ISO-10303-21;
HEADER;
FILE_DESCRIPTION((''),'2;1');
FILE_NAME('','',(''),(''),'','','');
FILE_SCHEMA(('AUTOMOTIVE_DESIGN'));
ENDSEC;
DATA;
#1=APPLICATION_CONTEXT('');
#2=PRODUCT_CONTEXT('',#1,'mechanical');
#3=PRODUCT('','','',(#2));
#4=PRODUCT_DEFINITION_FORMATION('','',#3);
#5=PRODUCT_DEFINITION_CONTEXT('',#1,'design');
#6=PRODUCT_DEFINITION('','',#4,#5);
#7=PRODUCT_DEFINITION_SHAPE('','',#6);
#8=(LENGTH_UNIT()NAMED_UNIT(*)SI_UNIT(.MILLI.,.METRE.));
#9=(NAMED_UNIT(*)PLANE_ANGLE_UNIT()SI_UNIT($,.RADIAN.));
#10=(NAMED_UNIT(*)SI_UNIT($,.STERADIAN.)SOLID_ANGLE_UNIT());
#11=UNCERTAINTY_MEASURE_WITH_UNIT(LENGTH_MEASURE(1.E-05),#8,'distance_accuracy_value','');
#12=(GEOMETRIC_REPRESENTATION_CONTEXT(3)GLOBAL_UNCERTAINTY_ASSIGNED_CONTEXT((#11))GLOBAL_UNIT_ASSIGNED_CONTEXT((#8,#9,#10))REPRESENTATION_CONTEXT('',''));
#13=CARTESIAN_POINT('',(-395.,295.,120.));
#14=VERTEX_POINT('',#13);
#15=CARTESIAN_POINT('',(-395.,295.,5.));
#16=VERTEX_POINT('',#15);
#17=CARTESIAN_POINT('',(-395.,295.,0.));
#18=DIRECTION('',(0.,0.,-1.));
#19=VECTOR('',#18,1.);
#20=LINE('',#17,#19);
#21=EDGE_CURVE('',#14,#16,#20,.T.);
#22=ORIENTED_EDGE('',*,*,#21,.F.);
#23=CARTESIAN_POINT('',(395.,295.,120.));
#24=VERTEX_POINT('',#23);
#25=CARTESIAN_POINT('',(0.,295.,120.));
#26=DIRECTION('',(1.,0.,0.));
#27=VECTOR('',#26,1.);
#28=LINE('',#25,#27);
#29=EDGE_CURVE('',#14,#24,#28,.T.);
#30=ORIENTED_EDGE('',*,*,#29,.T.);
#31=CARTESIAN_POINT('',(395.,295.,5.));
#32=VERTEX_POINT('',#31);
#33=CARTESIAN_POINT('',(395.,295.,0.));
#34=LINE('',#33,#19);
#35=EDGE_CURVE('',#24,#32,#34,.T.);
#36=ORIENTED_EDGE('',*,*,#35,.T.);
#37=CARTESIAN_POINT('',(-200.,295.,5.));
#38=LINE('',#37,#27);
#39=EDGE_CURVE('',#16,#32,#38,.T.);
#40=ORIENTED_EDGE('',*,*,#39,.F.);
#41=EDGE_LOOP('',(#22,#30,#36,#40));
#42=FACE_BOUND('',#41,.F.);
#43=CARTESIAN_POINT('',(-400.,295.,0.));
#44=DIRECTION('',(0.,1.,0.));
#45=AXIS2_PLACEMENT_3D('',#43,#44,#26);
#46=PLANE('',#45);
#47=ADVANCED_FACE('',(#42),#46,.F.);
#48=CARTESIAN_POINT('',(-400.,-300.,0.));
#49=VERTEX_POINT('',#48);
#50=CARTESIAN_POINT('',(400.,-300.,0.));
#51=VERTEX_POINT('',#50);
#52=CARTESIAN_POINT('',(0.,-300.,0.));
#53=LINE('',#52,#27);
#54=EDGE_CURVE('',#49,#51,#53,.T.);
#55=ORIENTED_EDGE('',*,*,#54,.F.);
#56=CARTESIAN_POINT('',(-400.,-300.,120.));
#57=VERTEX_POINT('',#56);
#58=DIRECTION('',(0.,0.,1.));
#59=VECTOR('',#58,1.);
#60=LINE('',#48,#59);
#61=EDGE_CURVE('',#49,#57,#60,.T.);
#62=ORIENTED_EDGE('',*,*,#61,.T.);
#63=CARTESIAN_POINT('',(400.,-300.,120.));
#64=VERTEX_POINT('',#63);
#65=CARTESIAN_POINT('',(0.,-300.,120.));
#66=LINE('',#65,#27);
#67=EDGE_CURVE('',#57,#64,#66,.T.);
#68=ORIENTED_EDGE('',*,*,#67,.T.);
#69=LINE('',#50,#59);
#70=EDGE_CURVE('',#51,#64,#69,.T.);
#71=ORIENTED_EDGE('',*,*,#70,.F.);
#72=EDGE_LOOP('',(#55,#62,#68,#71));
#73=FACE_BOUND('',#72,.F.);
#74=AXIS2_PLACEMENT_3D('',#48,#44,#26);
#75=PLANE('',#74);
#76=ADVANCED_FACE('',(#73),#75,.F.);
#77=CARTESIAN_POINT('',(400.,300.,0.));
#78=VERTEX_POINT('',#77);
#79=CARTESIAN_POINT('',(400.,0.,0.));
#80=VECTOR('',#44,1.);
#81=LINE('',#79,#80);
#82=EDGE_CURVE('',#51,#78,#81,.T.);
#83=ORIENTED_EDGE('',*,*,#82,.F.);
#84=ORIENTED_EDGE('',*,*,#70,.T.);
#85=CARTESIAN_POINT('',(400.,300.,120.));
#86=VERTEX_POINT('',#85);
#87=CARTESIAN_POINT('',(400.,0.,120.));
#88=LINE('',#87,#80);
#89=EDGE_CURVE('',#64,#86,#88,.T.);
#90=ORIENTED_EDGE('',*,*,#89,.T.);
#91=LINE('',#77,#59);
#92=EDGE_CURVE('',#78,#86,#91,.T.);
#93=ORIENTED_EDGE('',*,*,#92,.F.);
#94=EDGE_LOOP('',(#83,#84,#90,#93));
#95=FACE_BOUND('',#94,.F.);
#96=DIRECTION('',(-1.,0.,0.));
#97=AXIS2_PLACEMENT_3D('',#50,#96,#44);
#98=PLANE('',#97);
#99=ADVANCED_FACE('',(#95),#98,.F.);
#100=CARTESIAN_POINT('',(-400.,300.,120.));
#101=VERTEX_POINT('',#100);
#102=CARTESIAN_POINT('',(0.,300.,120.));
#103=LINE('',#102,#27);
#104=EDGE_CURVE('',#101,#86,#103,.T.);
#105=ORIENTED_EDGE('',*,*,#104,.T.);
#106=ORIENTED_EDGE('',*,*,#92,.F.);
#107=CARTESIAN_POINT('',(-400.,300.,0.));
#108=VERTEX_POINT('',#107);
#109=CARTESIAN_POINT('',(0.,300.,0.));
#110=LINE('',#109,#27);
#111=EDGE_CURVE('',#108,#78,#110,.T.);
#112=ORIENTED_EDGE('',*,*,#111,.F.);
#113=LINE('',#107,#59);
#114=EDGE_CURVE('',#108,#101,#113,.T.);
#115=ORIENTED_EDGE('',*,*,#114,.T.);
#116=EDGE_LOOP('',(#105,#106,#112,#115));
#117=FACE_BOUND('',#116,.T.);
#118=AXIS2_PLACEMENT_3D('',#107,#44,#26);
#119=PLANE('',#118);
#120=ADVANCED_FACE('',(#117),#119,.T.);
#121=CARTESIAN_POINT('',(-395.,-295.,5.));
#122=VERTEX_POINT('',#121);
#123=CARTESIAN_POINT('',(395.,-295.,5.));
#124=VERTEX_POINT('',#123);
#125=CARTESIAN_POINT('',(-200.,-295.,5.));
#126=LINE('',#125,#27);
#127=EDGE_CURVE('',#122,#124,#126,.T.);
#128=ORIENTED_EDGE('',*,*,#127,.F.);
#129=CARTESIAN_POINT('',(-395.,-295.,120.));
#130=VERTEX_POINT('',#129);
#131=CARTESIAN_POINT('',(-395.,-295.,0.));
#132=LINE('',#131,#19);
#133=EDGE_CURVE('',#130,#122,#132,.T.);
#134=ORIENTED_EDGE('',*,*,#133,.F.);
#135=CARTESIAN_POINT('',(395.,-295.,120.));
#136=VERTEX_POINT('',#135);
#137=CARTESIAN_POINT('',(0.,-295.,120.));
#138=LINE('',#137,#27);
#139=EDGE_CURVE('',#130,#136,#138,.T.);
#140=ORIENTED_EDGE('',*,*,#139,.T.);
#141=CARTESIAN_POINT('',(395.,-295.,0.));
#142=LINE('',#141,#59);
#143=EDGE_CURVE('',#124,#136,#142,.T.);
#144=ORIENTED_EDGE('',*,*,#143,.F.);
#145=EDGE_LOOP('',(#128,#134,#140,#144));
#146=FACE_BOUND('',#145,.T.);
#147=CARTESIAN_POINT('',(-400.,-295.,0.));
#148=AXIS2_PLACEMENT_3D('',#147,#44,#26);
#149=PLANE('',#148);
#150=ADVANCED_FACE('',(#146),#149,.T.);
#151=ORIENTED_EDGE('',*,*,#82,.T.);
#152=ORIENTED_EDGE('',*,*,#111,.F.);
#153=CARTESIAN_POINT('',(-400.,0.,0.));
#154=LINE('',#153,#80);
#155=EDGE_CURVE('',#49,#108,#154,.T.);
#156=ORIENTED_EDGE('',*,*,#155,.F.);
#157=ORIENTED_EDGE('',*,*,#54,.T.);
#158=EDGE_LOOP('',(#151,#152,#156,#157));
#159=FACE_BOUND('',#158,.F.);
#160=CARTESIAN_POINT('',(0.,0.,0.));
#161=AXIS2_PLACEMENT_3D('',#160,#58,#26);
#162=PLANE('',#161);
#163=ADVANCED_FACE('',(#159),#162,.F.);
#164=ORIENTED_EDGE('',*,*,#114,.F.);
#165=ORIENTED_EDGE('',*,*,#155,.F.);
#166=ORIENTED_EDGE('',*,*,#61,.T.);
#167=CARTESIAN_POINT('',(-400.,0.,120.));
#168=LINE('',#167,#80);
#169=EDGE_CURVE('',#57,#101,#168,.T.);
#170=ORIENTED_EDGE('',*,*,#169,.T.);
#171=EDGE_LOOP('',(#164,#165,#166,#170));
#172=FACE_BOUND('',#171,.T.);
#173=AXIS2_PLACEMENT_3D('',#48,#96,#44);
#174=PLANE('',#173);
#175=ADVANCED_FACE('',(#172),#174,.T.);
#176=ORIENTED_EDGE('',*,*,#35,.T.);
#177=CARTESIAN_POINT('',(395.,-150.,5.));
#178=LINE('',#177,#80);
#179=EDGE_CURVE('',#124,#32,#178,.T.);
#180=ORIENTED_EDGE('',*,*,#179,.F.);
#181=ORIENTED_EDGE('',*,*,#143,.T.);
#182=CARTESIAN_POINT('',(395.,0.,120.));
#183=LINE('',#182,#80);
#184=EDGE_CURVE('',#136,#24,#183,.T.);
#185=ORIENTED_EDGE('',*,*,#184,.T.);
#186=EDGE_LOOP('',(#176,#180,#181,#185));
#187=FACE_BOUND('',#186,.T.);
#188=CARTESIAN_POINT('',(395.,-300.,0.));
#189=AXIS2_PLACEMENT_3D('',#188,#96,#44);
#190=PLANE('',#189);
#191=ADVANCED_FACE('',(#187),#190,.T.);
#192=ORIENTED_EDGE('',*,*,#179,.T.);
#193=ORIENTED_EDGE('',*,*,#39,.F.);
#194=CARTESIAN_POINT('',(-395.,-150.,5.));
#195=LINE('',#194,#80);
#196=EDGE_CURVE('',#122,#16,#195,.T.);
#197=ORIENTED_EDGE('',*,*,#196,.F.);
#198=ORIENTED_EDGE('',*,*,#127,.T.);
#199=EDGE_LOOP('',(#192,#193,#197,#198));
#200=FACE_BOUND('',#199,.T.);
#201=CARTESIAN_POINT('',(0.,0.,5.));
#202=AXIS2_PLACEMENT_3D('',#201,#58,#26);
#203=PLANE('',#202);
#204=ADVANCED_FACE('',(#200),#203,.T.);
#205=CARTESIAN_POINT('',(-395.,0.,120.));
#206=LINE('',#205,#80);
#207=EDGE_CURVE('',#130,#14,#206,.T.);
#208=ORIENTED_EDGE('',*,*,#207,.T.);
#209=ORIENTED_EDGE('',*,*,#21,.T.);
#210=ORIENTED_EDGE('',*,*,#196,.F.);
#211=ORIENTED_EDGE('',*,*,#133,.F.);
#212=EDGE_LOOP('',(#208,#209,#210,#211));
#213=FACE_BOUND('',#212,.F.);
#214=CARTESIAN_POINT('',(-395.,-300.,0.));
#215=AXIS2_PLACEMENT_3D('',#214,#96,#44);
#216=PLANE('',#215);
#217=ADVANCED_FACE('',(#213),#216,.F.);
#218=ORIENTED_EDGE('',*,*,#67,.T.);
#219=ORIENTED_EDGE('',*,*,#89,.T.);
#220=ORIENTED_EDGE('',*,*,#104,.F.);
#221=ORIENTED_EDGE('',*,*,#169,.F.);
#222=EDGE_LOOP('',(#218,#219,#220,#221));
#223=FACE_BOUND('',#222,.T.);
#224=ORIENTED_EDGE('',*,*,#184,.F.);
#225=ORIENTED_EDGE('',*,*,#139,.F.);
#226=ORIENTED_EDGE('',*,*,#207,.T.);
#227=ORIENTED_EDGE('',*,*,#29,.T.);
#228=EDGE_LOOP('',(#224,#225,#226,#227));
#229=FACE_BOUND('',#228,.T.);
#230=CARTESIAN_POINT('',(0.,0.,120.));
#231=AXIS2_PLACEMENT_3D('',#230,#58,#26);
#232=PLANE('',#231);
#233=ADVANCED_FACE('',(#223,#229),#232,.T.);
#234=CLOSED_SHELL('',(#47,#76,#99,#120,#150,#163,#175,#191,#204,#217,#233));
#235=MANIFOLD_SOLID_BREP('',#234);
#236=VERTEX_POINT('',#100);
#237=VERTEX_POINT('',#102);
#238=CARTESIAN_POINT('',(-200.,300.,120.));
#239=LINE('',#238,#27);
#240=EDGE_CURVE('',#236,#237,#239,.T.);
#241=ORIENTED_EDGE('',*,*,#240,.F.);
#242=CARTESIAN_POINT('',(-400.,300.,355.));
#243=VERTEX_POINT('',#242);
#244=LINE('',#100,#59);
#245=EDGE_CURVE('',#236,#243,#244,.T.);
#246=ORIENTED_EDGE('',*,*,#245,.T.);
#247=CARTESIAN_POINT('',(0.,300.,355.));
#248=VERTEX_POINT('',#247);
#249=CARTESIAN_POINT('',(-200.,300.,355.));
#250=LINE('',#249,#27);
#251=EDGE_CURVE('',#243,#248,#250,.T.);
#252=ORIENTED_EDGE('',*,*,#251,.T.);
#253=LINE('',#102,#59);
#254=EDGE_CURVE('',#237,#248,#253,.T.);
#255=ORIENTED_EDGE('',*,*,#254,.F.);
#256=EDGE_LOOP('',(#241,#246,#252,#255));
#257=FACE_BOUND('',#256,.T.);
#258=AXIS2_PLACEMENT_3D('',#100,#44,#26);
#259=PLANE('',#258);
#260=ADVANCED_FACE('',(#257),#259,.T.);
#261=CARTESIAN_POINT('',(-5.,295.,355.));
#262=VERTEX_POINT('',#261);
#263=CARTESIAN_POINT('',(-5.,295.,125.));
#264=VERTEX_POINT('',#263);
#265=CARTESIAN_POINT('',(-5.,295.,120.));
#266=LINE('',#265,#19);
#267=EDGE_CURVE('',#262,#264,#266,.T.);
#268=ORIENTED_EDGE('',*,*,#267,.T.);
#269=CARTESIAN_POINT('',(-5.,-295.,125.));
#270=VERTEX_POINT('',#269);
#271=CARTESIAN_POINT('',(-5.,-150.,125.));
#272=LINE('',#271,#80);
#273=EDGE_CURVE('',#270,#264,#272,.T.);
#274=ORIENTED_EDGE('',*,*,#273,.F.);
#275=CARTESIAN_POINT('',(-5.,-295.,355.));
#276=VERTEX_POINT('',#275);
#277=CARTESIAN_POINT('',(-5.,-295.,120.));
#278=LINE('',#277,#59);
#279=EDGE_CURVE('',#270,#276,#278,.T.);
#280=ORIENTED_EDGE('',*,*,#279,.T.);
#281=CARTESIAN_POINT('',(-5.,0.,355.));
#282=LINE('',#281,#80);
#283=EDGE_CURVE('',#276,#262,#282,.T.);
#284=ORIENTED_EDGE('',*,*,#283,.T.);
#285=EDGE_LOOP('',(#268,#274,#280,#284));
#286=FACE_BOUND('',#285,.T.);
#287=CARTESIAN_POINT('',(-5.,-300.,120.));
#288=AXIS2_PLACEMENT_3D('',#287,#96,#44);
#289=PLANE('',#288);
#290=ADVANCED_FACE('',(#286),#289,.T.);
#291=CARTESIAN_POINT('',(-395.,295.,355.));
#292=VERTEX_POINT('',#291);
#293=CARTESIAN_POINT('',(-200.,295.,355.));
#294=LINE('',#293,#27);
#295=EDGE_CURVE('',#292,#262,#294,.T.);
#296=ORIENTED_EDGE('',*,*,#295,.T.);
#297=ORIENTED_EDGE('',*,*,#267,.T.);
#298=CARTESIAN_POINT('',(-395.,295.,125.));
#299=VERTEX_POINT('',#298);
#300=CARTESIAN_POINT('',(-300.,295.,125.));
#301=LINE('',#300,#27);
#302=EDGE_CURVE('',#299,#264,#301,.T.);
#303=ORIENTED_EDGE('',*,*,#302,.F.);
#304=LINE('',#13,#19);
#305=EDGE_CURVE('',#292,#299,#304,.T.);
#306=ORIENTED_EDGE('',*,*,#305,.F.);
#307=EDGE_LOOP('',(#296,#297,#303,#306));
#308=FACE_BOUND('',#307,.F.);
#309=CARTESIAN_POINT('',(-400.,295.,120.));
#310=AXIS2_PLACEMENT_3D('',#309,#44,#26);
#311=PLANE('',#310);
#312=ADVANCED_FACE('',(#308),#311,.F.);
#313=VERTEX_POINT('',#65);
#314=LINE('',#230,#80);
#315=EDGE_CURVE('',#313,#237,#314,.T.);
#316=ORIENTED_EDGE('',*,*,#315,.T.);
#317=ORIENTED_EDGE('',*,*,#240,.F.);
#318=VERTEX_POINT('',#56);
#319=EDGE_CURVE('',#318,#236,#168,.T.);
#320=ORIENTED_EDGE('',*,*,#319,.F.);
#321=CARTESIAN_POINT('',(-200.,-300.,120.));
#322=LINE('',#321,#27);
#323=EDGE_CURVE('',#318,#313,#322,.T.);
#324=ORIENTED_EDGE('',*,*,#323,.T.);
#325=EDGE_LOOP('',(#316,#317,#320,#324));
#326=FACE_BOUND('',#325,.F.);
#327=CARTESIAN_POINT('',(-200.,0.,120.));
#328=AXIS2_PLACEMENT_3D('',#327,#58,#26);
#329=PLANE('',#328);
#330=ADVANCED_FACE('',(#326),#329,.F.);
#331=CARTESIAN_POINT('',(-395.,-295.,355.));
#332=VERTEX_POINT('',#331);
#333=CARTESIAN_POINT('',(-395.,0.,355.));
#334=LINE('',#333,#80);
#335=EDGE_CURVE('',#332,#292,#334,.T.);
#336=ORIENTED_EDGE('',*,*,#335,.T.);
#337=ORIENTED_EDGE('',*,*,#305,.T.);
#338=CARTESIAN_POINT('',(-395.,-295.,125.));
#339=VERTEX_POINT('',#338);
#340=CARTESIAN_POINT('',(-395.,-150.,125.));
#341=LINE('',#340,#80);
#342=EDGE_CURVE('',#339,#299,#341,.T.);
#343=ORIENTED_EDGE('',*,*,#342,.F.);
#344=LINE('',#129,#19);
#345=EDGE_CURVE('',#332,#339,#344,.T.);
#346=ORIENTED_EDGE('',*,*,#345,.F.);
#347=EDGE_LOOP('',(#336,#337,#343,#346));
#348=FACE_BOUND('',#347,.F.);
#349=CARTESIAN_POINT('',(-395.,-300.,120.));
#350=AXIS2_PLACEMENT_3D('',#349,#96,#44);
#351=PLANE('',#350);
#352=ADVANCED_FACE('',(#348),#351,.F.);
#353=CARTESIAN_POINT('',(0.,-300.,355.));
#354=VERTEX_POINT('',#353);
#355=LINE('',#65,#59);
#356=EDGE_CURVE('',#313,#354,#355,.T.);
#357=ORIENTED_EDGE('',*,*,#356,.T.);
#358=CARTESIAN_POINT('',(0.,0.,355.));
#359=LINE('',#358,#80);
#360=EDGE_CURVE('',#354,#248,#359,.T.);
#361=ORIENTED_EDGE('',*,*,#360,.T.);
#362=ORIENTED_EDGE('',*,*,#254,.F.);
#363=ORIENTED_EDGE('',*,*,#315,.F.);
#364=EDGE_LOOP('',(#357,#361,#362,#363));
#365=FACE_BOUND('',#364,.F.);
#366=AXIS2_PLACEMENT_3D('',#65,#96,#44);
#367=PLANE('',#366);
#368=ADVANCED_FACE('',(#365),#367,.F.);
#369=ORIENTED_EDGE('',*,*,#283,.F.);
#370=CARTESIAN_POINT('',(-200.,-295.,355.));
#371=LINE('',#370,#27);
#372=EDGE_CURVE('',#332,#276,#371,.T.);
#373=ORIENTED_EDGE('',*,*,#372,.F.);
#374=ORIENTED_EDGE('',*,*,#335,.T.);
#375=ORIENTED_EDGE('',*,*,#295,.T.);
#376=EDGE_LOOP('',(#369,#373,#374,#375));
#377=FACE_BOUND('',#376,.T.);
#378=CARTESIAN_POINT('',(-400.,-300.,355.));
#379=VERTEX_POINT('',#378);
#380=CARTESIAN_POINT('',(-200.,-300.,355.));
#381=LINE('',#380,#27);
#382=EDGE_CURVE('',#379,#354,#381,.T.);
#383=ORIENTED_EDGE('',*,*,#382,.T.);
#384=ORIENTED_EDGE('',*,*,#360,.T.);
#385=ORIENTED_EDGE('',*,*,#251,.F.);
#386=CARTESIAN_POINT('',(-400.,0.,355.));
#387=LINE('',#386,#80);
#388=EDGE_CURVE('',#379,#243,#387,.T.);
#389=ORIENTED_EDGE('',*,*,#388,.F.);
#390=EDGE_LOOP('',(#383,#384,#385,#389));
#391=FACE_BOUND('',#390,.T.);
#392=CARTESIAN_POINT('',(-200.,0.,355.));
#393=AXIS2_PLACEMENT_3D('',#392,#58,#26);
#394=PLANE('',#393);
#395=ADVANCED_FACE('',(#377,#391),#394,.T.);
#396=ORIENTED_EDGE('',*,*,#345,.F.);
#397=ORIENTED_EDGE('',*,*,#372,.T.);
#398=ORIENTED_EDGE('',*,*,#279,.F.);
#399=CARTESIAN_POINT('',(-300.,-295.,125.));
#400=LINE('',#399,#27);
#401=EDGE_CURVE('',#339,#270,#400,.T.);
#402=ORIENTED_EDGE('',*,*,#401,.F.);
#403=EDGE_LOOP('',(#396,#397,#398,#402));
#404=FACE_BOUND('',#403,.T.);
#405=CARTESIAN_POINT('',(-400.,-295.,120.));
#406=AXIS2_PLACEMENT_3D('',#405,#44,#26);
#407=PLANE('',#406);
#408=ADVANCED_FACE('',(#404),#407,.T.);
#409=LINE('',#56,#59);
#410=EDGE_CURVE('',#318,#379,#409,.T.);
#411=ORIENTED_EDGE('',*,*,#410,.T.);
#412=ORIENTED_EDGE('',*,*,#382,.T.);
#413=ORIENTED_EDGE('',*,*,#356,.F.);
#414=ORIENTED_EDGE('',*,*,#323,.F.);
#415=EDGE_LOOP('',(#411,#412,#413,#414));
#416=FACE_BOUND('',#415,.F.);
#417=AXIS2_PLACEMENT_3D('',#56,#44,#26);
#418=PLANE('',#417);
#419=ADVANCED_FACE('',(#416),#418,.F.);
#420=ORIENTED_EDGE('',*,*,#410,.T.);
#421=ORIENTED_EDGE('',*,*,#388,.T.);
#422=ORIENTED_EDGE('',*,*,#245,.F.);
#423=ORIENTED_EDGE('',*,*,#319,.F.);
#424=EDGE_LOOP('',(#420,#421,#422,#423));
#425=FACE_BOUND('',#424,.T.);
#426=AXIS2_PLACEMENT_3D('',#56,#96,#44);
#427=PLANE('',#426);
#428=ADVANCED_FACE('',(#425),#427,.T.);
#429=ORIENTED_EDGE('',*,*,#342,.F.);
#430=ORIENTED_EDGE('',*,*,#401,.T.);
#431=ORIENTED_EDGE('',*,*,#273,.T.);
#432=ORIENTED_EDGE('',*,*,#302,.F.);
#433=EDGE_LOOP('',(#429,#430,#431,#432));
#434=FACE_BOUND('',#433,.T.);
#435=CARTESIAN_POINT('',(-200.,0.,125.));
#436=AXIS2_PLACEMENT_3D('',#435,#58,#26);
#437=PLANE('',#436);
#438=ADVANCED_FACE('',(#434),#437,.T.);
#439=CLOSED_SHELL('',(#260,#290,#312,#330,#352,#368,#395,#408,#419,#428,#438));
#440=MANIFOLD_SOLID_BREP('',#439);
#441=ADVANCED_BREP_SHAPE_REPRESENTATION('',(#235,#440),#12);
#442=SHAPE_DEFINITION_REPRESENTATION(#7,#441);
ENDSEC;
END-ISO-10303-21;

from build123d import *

# Parameters (mm, degrees)
F0_W     = 800
F0_H     = 600
F1_DEPTH = 120
F2_T     = -5
F3_W     = 400
F3_H     = 600
F4_DEPTH = 235
F5_T     = -5


with BuildPart() as f1:
    # F0 (on Top) → F1 (new body)
    with BuildSketch(Plane.XY):
        Rectangle(F0_W, F0_H)
    extrude(amount=F1_DEPTH)

    # F2
    f2_openings = [f1.faces().sort_by_distance(p)[0] for p in [
        (0, 0, 120),
    ]]
    offset(amount=F2_T, openings=f2_openings)


with BuildPart() as f4:
    # F3 (on face) → F4 (new body)
    with BuildSketch(Plane.XY.offset(120)):
        with Locations((-200, 0)):
            Rectangle(F3_W, F3_H)
    extrude(amount=F4_DEPTH)

    # F5
    f5_openings = [f4.faces().sort_by_distance(p)[0] for p in [
        (-200, 0, 355),
    ]]
    offset(amount=F5_T, openings=f5_openings)


solid = Compound([f1.part, f4.part])
